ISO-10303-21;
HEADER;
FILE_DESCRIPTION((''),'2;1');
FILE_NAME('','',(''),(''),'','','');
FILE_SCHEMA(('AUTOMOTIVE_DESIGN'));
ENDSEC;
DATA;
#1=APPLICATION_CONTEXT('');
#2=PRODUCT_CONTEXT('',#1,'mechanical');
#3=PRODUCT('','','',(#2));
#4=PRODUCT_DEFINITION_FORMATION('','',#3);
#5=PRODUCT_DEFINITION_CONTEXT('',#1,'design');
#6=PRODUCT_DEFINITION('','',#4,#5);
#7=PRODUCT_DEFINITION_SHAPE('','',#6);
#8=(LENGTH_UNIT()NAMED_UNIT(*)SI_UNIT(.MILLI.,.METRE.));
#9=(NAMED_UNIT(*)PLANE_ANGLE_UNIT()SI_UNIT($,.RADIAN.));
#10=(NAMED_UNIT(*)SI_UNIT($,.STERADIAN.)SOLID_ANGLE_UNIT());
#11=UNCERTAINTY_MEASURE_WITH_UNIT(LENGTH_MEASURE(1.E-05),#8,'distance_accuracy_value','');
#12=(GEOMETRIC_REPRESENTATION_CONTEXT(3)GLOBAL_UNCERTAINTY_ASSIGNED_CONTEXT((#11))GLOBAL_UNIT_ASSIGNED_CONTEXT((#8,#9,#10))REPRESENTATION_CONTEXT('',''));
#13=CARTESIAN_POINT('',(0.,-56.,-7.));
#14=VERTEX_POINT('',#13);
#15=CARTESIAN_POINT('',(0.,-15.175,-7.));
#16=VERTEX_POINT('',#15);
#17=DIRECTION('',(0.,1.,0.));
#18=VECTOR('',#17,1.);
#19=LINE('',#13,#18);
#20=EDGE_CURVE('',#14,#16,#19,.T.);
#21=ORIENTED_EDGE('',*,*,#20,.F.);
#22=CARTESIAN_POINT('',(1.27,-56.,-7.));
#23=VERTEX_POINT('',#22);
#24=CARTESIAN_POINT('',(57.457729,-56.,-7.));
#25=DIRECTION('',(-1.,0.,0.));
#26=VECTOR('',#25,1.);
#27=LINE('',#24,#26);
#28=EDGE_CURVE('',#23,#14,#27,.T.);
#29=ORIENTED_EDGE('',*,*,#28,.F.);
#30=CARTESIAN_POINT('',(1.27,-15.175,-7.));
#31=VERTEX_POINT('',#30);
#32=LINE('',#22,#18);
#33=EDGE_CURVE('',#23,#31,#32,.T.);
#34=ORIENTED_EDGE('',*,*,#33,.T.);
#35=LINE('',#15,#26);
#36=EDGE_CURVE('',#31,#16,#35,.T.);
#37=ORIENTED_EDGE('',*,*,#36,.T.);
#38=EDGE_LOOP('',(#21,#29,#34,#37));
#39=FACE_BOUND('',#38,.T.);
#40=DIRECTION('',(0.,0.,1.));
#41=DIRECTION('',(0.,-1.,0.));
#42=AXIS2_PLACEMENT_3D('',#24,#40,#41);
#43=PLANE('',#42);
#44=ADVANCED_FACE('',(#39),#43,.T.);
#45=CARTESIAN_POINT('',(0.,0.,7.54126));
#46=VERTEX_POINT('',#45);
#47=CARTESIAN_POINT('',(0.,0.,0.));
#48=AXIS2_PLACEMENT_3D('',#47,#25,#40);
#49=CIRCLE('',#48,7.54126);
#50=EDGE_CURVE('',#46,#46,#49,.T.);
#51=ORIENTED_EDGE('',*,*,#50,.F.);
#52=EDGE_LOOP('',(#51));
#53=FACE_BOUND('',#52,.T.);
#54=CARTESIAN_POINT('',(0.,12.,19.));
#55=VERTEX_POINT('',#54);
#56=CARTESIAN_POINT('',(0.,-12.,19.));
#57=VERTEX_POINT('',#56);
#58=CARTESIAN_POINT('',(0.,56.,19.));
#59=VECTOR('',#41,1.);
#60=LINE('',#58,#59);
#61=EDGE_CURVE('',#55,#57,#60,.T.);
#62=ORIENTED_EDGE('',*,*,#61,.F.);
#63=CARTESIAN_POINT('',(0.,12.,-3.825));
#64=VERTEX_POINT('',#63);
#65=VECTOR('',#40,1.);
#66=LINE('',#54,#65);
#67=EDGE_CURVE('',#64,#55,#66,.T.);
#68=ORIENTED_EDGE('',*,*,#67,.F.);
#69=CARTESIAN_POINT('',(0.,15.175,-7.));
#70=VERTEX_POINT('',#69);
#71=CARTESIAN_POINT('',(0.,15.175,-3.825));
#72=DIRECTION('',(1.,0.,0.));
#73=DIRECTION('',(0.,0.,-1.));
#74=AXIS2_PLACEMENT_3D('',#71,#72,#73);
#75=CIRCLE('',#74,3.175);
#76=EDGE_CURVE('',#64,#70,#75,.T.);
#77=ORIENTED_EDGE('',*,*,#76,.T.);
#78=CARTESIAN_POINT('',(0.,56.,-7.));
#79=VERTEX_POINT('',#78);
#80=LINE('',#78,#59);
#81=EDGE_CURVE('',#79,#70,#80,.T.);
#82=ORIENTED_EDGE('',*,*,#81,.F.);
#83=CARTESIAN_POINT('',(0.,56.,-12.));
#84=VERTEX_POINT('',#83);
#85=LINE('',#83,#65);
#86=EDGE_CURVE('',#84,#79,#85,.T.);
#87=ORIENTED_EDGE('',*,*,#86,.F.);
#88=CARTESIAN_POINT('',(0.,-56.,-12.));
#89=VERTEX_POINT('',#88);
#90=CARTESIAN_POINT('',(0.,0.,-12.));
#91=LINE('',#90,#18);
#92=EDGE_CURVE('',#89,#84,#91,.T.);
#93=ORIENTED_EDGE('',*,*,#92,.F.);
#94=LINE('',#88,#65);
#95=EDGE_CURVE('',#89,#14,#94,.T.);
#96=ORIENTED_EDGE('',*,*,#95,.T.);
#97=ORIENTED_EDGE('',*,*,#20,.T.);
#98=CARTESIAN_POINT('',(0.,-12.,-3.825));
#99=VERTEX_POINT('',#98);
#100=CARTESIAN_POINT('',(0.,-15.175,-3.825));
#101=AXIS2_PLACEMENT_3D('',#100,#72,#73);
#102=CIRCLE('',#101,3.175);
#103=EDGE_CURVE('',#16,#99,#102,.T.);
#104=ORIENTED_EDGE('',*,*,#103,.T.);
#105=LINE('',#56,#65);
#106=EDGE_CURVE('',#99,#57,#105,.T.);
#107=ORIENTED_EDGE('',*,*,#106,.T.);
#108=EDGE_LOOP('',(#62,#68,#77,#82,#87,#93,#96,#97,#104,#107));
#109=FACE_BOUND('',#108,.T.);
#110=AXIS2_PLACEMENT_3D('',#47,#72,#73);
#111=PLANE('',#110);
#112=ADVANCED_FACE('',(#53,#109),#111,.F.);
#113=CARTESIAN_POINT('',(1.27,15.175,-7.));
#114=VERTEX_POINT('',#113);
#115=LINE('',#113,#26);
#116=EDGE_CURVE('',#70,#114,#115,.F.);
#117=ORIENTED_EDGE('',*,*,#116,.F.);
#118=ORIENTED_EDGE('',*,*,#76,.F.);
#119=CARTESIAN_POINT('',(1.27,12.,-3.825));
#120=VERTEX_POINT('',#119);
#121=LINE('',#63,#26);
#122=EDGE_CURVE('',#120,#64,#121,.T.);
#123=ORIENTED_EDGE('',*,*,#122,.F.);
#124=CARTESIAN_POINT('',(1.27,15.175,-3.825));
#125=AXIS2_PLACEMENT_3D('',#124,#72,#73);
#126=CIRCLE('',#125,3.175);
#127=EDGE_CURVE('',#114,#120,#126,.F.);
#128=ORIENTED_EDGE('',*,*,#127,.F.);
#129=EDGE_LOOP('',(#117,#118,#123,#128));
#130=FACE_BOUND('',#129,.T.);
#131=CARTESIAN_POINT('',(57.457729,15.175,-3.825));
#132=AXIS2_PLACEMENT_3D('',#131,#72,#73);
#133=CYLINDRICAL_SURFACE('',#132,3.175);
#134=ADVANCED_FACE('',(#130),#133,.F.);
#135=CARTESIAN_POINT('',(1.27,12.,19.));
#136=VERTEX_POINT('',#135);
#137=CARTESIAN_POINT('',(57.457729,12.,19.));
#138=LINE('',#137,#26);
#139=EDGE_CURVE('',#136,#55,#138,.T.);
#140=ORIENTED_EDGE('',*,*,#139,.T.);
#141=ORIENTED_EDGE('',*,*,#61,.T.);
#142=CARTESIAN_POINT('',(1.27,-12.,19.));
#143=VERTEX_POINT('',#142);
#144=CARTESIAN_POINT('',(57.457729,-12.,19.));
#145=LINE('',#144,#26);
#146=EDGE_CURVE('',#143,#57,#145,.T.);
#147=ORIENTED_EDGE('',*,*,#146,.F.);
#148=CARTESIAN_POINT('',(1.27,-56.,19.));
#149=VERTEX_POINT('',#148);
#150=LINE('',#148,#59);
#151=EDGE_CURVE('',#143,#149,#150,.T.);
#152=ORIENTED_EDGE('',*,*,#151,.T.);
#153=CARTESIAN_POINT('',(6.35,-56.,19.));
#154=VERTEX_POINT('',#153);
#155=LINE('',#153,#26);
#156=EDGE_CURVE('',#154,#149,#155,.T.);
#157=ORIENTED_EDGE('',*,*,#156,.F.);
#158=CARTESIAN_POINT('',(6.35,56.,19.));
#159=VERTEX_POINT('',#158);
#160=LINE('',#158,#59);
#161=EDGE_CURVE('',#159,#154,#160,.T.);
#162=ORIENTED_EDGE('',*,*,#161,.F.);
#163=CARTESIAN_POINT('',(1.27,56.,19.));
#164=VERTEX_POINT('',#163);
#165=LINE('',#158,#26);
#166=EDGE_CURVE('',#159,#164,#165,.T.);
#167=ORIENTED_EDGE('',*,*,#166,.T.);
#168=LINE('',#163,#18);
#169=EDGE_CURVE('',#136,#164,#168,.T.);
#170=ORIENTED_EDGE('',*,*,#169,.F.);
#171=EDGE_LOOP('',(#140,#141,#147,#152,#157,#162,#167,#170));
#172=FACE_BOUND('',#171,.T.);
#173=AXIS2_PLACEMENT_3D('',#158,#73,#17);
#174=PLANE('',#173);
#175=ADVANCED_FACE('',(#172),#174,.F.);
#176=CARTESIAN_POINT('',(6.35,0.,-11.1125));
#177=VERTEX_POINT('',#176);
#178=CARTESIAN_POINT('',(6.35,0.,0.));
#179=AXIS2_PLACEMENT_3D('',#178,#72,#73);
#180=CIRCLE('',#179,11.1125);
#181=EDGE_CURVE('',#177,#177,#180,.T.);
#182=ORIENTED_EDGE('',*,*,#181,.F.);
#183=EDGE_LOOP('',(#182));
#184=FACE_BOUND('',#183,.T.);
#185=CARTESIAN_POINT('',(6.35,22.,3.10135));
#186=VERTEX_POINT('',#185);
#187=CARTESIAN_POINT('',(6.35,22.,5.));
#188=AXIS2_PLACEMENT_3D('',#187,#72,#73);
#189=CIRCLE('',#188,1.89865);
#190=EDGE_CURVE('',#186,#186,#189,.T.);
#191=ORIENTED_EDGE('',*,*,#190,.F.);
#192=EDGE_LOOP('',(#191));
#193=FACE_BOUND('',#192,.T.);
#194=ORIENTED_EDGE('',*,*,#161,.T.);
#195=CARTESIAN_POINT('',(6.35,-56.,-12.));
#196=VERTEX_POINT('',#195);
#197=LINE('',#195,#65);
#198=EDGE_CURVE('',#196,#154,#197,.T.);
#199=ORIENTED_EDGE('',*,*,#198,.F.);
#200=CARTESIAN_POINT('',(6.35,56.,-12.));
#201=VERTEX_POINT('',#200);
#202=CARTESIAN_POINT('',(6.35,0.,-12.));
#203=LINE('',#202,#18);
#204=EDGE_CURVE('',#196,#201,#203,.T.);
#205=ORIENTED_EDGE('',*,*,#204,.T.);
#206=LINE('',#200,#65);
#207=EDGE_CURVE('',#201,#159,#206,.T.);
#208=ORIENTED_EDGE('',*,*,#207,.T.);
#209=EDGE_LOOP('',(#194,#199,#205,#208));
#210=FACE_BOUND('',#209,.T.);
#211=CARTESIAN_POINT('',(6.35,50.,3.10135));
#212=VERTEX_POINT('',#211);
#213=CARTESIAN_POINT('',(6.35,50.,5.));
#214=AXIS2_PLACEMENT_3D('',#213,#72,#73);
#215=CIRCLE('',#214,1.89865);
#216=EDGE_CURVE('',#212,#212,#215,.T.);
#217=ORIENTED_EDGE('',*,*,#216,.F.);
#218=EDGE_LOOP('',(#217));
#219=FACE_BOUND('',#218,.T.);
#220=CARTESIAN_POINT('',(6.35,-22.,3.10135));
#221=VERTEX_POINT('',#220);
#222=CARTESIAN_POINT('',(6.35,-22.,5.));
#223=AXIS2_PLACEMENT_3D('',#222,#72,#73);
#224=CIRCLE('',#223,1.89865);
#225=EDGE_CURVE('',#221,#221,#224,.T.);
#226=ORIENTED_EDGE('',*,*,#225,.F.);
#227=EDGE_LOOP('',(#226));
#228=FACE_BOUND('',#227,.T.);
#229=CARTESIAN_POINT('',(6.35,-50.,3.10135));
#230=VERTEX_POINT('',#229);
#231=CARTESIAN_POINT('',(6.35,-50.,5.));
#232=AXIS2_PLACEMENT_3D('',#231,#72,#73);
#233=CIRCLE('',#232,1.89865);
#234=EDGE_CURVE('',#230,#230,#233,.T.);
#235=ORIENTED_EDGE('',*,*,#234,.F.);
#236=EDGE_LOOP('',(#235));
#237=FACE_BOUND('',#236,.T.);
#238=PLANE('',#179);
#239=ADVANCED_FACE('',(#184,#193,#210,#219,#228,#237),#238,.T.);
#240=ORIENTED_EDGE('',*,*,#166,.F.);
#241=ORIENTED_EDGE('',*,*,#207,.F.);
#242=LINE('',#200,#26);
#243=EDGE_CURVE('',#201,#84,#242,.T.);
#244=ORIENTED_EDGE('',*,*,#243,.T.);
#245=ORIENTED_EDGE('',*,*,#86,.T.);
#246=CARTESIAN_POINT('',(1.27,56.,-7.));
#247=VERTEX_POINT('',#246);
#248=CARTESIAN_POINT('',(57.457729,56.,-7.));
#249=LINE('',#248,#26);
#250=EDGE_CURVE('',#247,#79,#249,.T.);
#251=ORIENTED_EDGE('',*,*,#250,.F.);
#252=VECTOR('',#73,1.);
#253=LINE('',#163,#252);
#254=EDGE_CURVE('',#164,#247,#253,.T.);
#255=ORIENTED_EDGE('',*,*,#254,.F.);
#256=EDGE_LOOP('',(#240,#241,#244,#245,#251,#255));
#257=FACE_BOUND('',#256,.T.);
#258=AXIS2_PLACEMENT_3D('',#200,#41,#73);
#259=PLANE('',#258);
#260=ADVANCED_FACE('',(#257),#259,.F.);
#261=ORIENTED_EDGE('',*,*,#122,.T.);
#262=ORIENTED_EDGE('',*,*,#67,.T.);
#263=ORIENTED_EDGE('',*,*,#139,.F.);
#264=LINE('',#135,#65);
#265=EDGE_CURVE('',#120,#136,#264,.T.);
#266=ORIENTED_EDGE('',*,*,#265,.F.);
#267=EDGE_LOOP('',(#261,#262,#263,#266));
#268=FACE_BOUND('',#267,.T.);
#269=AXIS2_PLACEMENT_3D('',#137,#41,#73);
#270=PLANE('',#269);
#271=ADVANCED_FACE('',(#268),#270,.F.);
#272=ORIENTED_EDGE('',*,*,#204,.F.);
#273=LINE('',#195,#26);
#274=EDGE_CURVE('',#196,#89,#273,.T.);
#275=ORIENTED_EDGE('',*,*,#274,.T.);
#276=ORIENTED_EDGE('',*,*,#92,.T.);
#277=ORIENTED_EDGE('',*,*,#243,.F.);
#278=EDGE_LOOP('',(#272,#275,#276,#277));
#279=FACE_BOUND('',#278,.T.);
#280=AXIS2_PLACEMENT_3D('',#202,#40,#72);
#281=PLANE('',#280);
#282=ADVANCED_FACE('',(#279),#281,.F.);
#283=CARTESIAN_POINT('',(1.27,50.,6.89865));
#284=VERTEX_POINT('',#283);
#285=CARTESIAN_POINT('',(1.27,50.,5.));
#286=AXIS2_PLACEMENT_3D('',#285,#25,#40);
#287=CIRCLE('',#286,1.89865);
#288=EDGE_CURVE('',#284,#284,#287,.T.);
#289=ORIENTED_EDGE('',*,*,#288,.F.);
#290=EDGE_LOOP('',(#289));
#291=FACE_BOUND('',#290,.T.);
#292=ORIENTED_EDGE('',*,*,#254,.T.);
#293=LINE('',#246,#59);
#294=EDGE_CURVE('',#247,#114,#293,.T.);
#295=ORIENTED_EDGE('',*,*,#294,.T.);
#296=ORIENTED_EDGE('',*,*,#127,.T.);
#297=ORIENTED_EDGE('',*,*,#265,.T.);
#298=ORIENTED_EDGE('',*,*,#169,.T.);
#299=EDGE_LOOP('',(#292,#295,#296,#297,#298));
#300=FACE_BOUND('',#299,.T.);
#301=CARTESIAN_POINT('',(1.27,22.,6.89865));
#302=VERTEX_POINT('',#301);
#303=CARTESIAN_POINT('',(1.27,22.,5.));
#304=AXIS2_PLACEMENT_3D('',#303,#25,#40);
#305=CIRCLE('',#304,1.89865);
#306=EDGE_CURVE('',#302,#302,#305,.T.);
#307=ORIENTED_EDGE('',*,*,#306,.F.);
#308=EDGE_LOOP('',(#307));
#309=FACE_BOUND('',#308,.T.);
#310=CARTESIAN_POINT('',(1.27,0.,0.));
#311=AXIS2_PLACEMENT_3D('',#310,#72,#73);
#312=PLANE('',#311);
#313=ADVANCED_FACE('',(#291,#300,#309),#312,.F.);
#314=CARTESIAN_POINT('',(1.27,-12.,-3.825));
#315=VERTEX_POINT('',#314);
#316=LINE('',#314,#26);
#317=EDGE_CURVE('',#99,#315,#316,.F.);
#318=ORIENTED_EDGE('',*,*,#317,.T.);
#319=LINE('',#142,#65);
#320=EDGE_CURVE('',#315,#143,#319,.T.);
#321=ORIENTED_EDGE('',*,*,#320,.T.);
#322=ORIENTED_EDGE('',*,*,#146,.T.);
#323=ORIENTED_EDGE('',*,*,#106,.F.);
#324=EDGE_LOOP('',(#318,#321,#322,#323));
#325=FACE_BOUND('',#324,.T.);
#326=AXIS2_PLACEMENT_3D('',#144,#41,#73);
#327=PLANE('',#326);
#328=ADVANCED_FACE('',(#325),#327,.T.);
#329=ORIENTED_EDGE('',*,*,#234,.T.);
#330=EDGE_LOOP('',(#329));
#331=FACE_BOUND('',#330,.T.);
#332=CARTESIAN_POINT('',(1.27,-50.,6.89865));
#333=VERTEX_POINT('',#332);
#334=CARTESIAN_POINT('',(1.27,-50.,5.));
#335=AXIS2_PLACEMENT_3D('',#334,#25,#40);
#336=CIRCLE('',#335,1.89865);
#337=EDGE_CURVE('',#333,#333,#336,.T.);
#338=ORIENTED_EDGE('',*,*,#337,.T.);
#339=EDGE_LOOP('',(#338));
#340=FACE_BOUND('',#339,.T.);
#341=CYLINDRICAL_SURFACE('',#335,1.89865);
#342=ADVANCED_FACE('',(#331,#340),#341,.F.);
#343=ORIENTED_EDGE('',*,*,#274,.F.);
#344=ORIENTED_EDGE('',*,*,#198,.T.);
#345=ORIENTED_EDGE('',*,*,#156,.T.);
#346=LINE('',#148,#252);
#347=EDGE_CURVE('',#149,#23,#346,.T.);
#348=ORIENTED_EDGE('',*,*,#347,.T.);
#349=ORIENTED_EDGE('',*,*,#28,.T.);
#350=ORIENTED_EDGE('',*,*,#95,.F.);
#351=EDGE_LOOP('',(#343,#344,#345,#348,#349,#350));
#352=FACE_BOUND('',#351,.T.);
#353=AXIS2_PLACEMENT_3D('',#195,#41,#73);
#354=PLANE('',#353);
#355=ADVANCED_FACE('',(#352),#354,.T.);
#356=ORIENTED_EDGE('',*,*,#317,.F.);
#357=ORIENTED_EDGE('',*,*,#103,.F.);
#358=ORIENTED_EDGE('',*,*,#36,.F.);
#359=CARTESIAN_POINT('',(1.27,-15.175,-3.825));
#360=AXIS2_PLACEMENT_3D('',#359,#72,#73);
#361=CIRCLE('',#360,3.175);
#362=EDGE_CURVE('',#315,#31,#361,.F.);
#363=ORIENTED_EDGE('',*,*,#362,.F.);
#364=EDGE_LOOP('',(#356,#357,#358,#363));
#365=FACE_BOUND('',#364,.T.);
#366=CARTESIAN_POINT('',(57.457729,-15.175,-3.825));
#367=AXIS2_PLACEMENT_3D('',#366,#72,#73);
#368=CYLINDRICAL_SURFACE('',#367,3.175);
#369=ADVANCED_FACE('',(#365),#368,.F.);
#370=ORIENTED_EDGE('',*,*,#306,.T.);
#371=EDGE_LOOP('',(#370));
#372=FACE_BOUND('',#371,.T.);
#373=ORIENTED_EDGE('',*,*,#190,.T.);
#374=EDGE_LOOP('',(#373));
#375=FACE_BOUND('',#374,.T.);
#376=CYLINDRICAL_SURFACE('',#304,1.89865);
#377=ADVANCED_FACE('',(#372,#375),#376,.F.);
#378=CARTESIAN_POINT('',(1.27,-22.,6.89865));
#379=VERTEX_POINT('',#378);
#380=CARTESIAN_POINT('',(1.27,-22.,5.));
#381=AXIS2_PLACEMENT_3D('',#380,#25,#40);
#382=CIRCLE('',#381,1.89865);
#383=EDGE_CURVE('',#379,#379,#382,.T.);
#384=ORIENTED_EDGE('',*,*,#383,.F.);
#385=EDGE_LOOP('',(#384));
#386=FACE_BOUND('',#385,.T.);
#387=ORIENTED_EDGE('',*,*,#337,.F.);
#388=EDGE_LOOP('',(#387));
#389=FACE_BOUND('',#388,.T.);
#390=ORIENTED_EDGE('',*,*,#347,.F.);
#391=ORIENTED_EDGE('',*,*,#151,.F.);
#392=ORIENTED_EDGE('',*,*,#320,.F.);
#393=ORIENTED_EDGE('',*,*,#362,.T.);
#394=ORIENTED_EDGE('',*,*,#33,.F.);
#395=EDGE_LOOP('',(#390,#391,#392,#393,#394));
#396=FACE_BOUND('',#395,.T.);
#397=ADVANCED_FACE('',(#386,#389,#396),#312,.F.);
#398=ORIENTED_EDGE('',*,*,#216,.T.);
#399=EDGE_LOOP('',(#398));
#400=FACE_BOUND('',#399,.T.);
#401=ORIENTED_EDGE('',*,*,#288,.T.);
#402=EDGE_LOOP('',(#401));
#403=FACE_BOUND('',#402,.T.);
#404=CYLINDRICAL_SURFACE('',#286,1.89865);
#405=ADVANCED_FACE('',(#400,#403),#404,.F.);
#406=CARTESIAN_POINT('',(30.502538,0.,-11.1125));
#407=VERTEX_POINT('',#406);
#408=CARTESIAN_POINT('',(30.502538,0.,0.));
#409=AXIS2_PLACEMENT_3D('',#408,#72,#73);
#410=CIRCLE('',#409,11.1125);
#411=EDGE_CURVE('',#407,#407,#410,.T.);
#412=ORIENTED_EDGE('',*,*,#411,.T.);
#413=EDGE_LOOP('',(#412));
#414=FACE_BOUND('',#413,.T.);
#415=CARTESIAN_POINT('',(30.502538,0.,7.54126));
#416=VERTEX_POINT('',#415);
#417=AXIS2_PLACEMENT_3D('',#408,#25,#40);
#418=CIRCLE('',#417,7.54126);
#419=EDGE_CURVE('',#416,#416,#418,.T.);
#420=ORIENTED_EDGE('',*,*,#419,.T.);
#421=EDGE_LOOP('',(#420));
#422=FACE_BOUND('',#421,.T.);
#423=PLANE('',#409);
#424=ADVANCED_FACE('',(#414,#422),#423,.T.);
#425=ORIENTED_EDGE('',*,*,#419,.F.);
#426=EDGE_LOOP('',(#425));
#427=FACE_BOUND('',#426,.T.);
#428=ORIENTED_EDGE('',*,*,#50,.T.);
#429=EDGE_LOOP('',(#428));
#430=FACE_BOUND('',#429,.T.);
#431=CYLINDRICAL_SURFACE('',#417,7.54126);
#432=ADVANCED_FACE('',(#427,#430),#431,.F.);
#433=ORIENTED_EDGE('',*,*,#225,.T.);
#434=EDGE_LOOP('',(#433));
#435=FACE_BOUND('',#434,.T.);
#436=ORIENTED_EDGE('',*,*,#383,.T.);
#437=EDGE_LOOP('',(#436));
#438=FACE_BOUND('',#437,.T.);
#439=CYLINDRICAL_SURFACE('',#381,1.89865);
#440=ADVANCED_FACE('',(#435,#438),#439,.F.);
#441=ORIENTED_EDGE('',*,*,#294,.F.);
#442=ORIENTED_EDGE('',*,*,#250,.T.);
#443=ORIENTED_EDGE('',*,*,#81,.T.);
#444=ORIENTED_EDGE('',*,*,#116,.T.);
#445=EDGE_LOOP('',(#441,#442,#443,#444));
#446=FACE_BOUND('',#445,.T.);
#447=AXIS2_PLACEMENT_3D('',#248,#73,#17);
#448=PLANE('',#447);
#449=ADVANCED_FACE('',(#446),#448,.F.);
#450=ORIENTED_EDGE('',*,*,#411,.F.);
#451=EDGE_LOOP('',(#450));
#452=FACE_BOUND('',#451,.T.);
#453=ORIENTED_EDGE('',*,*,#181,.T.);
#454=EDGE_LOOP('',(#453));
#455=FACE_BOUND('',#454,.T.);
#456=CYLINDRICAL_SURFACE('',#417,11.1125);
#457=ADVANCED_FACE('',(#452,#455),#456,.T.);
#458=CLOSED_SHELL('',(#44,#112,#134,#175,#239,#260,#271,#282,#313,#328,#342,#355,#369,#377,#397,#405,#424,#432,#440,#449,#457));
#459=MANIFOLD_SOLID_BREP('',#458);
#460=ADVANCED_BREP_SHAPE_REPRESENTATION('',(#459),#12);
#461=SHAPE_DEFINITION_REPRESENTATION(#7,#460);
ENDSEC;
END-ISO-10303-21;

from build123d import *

# Parameters (mm, degrees)
SKETCH1_W                       = 31
SKETCH1_H                       = 56
BOSS_EXTRUDE1_DEPTH             = 6.35
SKETCH2_R                       = 11.1125
BOSS_EXTRUDE2_DEPTH             = 24.15253802
SKETCH3_R                       = 7.54126
CUT_EXTRUDE1_DEPTH              = 31.50253802
SKETCH4_W                       = 26
SKETCH4_H                       = 44
CUT_EXTRUDE2_DEPTH              = 1.27
FILLET1_R                       = 3.175
FILLET1_OF_MIRROR2_R            = 3.175
F_10_24_TAPPED_HOLE1_AT_2_COUNT = 2
F_10_24_TAPPED_HOLE1_AT_2_PITCH = 28


with BuildPart() as part:
    # Sketch1 → Boss-Extrude1 (new body)
    with BuildSketch(Plane(origin=(0, 0, 0), x_dir=(0, 0, -1), z_dir=(1, 0, 0))):
        with Locations((-3.5, 28)):
            Rectangle(SKETCH1_W, SKETCH1_H)
    boss_extrude1 = extrude(amount=BOSS_EXTRUDE1_DEPTH)

    # Mirror1: Boss-Extrude1 across plane
    add(boss_extrude1.mirror(Plane.ZX))

    # Sketch2 → Boss-Extrude2 (add)
    with BuildSketch(Plane(origin=(6.35, 0, 0), x_dir=(0, 0, -1), z_dir=(1, 0, 0))):
        Circle(SKETCH2_R)
    extrude(amount=BOSS_EXTRUDE2_DEPTH)

    # Sketch3 → Cut-Extrude1 (cut, through all)
    with BuildSketch(Plane.ZY):
        Circle(SKETCH3_R)
    extrude(amount=-CUT_EXTRUDE1_DEPTH, mode=Mode.SUBTRACT)

    # Sketch4 → Cut-Extrude2 (cut)
    with BuildSketch(Plane.ZY):
        with Locations((6, 34)):
            Rectangle(SKETCH4_W, SKETCH4_H)
    cut_extrude2 = extrude(amount=-CUT_EXTRUDE2_DEPTH, mode=Mode.SUBTRACT)

    # Fillet1
    fillet1_edges = [part.edges().sort_by_distance(p)[0] for p in [
        (0.635, 12, -7),
    ]]
    fillet(fillet1_edges, radius=FILLET1_R)

    # Mirror2: Cut-Extrude2 across plane
    add(cut_extrude2.mirror(Plane.ZX), mode=Mode.SUBTRACT)

    # Fillet1 of Mirror2
    fillet1_of_mirror2_edges = [part.edges().sort_by_distance(p)[0] for p in [
        (0.635, -12, -7),
    ]]
    fillet(fillet1_of_mirror2_edges, radius=FILLET1_OF_MIRROR2_R)

    # Sketch5 → #10-24 Tapped Hole1 (revolve, cut)
    with BuildSketch(Plane(origin=(1.27, 50, 5), x_dir=(0, 0, 1), z_dir=(0, 1, 0))):
        Polygon((0, 0), (0, 16.090824014), (1.89865, 14.95), (1.89865, 0), align=None)
    f_10_24_tapped_hole1 = revolve(axis=Axis((-5.08, 50, 5), (1, 0, 0)), mode=Mode.SUBTRACT)

    # #10-24 Tapped Hole1 at 2: #10-24 Tapped Hole1 ×2
    with Locations(*[(0, -i * F_10_24_TAPPED_HOLE1_AT_2_PITCH, 0) for i in range(1, F_10_24_TAPPED_HOLE1_AT_2_COUNT)]):
        add(f_10_24_tapped_hole1, mode=Mode.SUBTRACT)

    # Mirror3: #10-24 Tapped Hole1 across plane
    add(f_10_24_tapped_hole1.mirror(Plane.ZX), mode=Mode.SUBTRACT)

    # Mirror3 copy 1 sketch → Mirror3 copy 1 (revolve, cut)
    with BuildSketch(Plane(origin=(1.27, -22, 5), x_dir=(0, 0, 1), z_dir=(0, -1, 0))):
        Polygon((0, 0), (0, -16.090824014), (1.89865, -14.95), (1.89865, 0), align=None)
    revolve(axis=Axis((-5.08, -22, 5), (-1, 0, 0)), mode=Mode.SUBTRACT)


solid = part.part
